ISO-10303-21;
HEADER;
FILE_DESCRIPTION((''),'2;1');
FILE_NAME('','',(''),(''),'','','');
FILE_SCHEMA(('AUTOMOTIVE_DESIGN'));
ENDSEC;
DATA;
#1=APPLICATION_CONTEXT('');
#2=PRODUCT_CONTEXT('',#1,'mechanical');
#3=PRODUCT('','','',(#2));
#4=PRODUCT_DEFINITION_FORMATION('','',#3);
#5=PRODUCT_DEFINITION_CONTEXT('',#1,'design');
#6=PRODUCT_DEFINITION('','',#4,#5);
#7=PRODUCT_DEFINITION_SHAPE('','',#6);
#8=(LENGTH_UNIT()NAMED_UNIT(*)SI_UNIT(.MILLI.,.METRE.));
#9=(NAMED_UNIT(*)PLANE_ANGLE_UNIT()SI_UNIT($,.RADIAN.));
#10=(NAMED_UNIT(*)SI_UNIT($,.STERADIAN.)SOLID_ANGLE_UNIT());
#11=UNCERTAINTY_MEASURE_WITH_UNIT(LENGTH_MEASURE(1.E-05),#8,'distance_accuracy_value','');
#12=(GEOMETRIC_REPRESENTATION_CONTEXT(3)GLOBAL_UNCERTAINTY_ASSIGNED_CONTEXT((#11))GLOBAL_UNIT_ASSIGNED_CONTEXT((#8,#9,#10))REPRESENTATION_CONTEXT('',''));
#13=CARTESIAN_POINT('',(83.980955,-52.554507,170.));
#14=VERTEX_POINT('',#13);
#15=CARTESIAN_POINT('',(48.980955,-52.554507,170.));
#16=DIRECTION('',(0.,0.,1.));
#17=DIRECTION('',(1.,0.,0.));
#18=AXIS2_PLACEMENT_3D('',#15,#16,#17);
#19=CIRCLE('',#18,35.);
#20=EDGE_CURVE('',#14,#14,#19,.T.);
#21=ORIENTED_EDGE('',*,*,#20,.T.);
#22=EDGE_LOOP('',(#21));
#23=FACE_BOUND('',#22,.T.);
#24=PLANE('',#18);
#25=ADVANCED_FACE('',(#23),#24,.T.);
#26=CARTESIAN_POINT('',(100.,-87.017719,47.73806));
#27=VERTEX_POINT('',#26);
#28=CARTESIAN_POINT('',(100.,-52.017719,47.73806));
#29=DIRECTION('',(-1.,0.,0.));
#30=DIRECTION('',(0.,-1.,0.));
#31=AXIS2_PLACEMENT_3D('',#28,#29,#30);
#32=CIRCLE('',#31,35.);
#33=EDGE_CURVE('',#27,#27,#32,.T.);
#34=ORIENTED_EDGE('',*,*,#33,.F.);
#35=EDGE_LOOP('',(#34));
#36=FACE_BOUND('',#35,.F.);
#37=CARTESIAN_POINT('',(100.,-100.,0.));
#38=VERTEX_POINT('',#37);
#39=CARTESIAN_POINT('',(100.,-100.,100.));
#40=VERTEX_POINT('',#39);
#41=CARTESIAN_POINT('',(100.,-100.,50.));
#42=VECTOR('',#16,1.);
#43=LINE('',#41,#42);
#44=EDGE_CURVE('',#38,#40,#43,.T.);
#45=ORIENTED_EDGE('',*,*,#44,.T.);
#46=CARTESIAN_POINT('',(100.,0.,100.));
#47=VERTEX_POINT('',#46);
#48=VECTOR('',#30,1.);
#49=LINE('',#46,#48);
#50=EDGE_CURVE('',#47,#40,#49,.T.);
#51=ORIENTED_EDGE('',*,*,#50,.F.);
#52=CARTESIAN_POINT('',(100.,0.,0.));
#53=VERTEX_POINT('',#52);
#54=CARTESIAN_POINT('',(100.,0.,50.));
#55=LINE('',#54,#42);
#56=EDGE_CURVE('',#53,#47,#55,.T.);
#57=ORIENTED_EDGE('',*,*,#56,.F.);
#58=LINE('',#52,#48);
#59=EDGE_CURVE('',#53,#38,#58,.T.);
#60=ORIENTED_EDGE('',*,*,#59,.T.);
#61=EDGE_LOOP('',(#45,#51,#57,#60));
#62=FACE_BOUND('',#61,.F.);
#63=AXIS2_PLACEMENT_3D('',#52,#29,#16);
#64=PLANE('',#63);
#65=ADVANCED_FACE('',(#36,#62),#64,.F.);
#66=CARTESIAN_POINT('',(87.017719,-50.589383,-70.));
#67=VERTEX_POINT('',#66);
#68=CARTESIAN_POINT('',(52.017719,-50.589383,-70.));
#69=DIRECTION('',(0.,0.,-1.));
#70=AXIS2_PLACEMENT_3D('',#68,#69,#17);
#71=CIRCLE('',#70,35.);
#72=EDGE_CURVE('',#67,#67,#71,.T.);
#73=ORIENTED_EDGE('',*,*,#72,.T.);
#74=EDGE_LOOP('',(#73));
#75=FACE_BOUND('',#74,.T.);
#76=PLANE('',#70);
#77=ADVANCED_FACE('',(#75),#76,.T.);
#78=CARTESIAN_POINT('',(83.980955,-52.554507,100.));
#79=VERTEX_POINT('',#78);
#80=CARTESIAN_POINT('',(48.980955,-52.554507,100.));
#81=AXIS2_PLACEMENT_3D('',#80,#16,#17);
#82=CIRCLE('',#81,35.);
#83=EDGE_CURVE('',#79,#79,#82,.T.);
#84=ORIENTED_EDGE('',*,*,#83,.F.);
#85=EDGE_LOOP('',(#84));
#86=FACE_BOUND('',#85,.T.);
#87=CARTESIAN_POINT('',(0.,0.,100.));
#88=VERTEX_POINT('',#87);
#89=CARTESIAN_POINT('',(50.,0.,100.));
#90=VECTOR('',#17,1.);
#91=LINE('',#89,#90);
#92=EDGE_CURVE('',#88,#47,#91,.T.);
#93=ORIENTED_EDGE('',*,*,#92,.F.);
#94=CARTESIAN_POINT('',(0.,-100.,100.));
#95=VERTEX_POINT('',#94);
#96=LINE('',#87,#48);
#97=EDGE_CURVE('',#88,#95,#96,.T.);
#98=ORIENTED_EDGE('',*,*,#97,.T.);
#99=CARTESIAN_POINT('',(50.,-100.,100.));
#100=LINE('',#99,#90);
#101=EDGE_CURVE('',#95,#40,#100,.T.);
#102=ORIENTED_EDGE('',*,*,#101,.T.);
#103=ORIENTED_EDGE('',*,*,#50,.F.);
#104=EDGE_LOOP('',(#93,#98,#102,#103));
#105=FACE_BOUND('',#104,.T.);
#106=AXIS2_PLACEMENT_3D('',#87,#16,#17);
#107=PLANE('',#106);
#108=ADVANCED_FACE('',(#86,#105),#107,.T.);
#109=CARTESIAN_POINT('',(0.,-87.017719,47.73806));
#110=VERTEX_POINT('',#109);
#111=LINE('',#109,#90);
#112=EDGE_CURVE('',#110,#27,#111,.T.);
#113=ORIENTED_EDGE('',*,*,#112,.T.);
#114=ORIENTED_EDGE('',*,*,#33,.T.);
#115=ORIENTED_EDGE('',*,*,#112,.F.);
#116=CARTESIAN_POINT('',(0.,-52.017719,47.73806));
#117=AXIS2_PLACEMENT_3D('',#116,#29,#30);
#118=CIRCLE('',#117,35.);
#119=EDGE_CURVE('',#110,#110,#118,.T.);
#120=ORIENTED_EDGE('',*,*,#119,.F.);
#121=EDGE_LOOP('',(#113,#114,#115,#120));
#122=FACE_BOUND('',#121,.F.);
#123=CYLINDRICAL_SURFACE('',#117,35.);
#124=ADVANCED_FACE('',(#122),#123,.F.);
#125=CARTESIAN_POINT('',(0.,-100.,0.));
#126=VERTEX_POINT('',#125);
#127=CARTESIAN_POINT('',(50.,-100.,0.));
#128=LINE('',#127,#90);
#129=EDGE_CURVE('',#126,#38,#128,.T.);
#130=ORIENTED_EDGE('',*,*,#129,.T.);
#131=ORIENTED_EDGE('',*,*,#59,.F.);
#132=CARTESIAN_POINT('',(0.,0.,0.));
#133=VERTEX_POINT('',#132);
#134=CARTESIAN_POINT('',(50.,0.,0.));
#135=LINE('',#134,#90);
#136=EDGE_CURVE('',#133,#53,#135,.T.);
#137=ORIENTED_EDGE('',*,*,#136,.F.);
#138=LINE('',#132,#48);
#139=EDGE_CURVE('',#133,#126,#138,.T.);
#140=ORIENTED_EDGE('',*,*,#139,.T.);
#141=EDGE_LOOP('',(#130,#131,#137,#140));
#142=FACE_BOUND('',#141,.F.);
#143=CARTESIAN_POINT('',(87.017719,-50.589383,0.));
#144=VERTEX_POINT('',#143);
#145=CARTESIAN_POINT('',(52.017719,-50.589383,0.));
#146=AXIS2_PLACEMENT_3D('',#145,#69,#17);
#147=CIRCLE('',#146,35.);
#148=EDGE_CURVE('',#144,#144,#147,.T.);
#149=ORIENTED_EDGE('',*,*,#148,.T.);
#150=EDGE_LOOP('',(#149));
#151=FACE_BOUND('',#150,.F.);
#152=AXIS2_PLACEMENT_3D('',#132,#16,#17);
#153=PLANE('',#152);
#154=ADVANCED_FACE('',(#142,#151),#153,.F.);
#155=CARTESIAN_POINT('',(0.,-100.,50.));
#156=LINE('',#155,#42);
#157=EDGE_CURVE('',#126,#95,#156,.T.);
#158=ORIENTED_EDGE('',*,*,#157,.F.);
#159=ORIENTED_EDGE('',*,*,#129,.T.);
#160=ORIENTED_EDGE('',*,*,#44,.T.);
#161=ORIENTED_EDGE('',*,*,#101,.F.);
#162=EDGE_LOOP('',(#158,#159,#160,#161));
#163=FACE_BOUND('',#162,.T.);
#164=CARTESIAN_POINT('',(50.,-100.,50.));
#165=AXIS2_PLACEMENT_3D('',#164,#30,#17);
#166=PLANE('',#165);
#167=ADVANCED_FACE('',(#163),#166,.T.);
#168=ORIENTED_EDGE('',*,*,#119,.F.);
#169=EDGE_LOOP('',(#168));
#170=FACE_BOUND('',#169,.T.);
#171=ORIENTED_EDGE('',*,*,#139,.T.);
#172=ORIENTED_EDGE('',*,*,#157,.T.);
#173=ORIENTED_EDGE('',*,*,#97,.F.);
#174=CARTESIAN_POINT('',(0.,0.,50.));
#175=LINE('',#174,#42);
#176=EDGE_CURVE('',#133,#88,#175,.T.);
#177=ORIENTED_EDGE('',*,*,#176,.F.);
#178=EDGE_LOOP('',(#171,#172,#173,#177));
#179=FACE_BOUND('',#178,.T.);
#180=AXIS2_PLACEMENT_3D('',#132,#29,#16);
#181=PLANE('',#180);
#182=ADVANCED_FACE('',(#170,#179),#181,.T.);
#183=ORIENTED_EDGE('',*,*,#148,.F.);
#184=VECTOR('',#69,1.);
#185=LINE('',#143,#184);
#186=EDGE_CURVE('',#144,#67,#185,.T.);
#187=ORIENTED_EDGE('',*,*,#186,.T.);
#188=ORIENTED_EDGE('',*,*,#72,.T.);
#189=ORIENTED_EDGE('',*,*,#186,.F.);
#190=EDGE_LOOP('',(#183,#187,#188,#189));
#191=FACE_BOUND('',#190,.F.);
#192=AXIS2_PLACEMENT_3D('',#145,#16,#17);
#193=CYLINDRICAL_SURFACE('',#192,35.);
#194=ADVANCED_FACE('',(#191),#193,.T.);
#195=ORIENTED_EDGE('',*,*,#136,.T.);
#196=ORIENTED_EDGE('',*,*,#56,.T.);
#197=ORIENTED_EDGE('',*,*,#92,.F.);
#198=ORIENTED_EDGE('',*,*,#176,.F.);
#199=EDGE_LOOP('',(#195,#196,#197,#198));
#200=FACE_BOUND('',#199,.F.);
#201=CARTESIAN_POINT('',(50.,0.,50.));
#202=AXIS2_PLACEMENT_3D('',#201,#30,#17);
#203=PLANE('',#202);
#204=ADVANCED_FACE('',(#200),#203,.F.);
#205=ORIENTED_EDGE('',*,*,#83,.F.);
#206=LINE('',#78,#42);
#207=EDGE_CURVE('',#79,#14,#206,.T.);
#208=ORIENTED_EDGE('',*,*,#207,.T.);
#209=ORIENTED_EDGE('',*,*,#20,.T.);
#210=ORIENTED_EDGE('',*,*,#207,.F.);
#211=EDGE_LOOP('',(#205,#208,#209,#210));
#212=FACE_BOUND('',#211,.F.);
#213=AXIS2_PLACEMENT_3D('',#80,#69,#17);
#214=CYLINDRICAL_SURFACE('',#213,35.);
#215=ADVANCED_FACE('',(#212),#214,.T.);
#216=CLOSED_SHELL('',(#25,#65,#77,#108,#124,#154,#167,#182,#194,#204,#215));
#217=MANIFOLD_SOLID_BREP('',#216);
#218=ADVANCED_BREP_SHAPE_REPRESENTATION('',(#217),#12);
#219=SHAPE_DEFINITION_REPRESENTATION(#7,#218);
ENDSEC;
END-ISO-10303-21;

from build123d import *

# Parameters (mm, degrees)
F0_W     = 100
F0_H     = 100
F1_DEPTH = 100
F2_R     = 35
F3_DEPTH = 70
F4_R     = 35
F5_DEPTH = 70
F6_R     = 35
F7_DEPTH = 100


with BuildPart() as f1:
    # F0 (on Front) → F1 (new body)
    with BuildSketch(Plane.XZ):
        with Locations((50, 50)):
            Rectangle(F0_W, F0_H)
    extrude(amount=F1_DEPTH)

    # F2 (on face) → F3 (join)
    with BuildSketch(Plane.XY.offset(100)):
        with Locations((48.980955, -52.554507)):
            Circle(F2_R)
    extrude(amount=F3_DEPTH)

    # F4 (on face) → F5 (join)
    with BuildSketch(Plane(origin=(0, 0, 0), x_dir=(1, 0, 0), z_dir=(0, 0, -1))):
        with Locations((52.017719, 50.589383)):
            Circle(F4_R)
    extrude(amount=F5_DEPTH)

    # F6 (on face) → F7 (cut)
    with BuildSketch(Plane(origin=(0, 0, 0), x_dir=(0, -1, 0), z_dir=(-1, 0, 0))):
        with Locations((52.017719, 47.73806)):
            Circle(F6_R)
    extrude(amount=-F7_DEPTH, mode=Mode.SUBTRACT)


solid = f1.part
